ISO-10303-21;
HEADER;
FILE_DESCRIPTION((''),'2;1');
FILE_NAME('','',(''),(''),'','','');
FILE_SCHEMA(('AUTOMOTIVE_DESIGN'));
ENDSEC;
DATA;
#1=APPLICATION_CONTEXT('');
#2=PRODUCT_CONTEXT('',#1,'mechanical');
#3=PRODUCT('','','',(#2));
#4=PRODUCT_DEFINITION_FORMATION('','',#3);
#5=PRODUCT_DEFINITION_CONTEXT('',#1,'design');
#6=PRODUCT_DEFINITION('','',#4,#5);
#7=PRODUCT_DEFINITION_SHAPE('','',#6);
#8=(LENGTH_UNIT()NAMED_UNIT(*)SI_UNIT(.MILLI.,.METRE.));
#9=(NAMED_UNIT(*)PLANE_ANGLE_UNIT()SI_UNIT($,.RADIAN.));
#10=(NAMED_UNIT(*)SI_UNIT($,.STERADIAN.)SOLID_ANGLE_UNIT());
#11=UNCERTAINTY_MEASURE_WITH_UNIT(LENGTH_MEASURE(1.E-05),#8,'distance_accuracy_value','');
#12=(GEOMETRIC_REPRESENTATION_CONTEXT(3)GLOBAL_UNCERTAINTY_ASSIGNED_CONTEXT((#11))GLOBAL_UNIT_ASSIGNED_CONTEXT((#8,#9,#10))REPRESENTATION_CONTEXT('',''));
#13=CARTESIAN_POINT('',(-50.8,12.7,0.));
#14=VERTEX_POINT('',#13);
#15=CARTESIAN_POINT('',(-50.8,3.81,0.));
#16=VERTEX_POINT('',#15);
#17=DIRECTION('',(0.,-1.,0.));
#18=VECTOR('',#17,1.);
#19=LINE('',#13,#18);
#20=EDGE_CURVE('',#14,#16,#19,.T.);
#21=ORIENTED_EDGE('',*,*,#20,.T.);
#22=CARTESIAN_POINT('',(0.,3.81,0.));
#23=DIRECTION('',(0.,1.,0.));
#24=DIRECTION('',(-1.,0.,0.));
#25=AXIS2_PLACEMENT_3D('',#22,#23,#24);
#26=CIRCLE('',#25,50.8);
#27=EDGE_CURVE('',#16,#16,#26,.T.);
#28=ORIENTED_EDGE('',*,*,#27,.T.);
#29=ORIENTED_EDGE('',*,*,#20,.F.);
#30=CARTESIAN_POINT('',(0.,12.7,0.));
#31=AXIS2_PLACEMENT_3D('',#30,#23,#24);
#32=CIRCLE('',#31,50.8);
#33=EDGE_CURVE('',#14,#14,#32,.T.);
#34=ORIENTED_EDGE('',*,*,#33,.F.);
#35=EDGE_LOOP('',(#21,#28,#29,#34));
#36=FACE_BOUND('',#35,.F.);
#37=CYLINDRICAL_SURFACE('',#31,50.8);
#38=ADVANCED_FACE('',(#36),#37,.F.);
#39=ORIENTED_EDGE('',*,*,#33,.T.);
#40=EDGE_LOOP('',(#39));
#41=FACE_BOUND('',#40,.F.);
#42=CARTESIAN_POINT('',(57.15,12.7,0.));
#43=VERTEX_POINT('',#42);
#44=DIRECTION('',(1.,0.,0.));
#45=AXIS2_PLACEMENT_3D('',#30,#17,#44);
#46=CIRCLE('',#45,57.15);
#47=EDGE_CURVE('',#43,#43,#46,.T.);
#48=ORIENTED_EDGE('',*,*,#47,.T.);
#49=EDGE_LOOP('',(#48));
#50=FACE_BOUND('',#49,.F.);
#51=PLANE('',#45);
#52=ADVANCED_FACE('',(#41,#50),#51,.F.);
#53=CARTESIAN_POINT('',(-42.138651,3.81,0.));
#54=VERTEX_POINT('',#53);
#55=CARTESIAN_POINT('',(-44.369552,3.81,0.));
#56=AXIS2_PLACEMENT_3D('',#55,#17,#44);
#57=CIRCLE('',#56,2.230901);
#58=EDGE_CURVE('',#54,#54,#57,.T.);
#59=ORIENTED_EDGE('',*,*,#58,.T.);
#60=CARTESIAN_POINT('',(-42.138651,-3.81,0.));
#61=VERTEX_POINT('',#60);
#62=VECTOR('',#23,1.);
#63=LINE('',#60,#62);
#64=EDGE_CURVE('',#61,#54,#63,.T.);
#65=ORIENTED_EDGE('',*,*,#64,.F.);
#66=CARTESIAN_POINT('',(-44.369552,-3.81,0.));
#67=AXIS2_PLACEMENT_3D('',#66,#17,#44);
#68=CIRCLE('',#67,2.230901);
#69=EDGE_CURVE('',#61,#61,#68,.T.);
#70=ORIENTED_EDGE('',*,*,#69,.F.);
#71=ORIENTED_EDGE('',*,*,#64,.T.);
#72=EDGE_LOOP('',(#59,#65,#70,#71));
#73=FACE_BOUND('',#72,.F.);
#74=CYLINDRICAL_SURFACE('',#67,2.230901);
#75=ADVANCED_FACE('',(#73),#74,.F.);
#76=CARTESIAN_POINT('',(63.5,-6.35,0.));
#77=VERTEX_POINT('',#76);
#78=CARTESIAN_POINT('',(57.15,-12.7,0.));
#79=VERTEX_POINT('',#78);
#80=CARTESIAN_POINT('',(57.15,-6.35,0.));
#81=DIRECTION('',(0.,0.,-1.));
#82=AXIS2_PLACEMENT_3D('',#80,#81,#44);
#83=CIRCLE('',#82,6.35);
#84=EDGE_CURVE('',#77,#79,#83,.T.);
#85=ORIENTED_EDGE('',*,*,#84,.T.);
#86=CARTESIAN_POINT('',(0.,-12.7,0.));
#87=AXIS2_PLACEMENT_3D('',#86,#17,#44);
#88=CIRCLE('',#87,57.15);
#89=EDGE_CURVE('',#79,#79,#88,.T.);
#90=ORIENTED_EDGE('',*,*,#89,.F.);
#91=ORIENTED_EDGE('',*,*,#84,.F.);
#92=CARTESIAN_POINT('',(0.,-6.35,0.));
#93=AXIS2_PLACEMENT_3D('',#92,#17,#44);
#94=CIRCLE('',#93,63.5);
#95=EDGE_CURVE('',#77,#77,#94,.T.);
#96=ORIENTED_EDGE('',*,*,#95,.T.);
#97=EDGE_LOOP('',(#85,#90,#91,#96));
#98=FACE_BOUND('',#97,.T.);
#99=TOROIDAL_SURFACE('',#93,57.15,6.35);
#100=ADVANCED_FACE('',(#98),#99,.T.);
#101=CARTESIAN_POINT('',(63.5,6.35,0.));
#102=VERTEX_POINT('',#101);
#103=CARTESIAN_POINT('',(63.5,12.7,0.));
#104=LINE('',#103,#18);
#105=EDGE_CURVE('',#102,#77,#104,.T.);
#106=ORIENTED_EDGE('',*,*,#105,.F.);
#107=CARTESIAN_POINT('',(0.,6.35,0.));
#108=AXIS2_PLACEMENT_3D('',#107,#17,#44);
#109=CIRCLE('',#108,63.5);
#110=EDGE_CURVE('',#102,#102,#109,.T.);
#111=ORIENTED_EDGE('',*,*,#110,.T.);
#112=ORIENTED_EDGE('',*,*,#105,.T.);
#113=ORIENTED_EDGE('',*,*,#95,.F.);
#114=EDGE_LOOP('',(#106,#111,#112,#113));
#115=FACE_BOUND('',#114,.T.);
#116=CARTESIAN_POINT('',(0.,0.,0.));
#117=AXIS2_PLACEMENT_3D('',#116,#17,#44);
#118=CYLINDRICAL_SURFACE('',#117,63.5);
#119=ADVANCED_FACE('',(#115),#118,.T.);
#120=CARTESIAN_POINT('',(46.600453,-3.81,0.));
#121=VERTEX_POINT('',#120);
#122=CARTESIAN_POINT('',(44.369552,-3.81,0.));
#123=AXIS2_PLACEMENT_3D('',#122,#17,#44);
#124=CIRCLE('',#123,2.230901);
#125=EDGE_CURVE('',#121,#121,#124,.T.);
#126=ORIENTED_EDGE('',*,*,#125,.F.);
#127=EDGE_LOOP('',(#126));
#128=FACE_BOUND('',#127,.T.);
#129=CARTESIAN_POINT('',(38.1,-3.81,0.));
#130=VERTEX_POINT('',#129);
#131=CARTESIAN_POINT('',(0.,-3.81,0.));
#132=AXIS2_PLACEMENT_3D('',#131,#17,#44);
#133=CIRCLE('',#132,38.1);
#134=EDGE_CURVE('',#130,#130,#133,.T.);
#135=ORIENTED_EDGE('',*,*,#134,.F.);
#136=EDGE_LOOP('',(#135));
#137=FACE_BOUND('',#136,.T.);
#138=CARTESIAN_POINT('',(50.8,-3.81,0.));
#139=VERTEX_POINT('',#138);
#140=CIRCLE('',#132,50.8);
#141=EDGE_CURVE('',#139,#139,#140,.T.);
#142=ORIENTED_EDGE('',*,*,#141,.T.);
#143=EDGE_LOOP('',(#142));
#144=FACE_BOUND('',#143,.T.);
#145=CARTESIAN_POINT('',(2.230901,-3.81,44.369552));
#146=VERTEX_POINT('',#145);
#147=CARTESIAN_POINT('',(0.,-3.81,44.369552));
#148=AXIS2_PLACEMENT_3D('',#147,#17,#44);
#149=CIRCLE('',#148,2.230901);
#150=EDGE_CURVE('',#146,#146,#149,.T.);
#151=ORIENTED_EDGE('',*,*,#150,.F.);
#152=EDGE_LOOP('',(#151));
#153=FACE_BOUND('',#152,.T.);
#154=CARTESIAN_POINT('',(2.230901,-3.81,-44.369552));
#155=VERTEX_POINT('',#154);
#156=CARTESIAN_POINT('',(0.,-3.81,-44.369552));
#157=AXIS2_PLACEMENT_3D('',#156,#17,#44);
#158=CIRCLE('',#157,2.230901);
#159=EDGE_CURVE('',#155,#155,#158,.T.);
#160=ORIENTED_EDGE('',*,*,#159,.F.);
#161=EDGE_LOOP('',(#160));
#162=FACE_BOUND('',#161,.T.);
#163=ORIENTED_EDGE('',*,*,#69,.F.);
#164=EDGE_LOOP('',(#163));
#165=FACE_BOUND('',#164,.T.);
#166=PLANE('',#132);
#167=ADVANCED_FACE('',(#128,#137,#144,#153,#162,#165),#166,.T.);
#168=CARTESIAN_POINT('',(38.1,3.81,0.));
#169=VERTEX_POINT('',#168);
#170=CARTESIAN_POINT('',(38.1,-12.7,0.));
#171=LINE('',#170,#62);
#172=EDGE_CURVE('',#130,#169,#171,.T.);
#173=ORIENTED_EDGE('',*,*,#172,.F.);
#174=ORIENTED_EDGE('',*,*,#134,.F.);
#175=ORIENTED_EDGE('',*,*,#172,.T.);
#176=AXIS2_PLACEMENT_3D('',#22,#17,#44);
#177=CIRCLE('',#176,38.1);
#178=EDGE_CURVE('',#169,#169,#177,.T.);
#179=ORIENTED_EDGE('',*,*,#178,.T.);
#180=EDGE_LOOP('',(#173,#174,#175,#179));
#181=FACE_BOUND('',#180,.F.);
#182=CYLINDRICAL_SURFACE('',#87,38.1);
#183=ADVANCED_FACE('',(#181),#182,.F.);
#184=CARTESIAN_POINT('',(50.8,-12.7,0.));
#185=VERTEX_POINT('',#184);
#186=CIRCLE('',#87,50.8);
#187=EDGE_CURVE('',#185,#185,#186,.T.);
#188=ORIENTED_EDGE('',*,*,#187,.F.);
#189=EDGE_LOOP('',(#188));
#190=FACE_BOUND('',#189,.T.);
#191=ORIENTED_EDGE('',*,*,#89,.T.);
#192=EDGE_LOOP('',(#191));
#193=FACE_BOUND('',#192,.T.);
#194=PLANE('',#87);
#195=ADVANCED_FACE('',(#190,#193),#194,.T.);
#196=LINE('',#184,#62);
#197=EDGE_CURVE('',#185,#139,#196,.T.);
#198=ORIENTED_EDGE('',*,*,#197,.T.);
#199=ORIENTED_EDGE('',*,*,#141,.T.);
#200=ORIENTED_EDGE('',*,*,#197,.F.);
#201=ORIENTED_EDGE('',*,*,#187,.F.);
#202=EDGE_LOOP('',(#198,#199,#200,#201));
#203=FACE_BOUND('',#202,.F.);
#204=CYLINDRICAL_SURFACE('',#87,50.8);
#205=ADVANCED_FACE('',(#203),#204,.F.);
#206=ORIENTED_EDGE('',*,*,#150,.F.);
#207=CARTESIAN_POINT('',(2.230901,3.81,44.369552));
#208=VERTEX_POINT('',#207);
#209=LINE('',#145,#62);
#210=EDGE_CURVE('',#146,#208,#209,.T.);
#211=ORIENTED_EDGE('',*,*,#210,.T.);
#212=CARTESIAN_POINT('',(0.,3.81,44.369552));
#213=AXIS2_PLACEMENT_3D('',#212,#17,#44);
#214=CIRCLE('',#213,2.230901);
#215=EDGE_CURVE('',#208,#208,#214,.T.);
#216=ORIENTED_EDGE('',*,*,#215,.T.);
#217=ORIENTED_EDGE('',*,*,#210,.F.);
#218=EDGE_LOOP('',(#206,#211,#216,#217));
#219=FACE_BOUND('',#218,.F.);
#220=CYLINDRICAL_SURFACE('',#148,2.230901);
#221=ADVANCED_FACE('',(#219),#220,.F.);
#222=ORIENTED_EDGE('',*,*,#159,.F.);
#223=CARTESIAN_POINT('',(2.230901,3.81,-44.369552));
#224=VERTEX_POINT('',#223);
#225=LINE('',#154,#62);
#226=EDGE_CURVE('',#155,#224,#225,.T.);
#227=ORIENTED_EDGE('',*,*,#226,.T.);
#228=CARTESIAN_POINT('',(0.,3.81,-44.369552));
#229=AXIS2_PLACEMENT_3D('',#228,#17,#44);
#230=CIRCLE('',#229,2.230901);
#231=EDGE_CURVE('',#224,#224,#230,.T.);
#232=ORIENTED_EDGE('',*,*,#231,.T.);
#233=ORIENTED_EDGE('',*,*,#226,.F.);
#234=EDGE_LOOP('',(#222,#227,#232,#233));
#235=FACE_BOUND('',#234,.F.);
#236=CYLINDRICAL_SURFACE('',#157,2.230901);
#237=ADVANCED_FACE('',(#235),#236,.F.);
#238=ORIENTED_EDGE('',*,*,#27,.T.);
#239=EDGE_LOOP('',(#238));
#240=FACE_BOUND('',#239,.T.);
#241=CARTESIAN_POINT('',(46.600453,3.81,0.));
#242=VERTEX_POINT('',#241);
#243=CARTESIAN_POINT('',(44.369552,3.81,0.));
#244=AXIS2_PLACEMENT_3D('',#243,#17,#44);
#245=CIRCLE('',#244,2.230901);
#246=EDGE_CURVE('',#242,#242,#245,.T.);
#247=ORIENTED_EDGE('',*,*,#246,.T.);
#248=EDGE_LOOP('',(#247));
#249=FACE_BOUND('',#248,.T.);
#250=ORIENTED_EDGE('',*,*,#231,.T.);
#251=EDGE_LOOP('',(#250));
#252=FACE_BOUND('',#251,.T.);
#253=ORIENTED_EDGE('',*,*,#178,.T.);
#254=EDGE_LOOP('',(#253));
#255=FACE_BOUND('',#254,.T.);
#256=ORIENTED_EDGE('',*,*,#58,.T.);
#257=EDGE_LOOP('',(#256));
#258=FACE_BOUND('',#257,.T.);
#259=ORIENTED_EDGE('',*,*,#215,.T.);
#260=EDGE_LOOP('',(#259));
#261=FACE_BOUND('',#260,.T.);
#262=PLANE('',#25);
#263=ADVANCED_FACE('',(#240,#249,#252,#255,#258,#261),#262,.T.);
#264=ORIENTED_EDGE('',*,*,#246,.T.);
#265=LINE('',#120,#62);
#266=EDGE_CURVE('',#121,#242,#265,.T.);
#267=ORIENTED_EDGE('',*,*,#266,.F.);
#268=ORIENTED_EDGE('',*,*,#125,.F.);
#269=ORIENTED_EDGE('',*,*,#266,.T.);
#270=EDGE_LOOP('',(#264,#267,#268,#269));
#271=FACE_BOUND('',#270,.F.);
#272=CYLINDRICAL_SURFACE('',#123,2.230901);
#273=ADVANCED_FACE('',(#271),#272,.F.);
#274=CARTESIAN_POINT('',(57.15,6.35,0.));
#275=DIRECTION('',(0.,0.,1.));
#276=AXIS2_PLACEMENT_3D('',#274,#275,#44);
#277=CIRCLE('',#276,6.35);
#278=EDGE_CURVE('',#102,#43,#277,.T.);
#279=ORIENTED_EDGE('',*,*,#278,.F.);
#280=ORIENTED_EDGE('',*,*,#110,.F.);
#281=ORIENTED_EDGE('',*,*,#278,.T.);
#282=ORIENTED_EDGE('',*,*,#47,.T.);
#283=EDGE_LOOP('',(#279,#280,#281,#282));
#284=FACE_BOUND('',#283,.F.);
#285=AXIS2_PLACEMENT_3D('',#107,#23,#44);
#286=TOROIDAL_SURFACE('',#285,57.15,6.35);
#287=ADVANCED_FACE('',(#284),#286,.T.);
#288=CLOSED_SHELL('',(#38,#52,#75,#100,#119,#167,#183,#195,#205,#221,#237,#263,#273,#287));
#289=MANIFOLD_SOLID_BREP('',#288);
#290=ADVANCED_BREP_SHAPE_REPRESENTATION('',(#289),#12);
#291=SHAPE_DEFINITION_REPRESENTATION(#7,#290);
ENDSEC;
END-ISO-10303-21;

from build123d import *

# Parameters (mm, degrees)
F0_R      = 63.5
F1_DEPTH  = 12.7
F2_R      = 6.35
F3_R      = 50.8
F4_DEPTH  = 8.89
F5_R      = 50.8
F6_DEPTH  = 8.89
F7_R      = 38.1
F8_DEPTH  = 25.401
F9_R      = 2.230901
F10_DEPTH = 16.511


with BuildPart() as f1:
    # F0 (on Front) → F1 (new body, symmetric)
    with BuildSketch(Plane.XZ):
        Circle(F0_R)
    extrude(amount=F1_DEPTH, both=True)

    # F2
    f2_edges = [f1.edges().sort_by_distance(p)[0] for p in [
        (-63.5, -12.7, 0),
        (-63.5, 12.7, 0),
    ]]
    fillet(f2_edges, radius=F2_R)

    # F3 (on face) → F4 (cut)
    with BuildSketch(Plane.XZ.offset(12.7)):
        Circle(F3_R)
    extrude(amount=-F4_DEPTH, mode=Mode.SUBTRACT)

    # F5 (on face) → F6 (cut)
    with BuildSketch(Plane(origin=(0, 12.7, 0), x_dir=(-1, 0, 0), z_dir=(0, 1, 0))):
        Circle(F5_R)
    extrude(amount=-F6_DEPTH, mode=Mode.SUBTRACT)

    # F7 (on face) → F8 (cut, through all)
    with BuildSketch(Plane.XZ.offset(12.7)):
        Circle(F7_R)
    extrude(amount=-F8_DEPTH, mode=Mode.SUBTRACT)

    # F9 (on face) → F10 (cut, through all)
    with BuildSketch(Plane.XZ.offset(3.81)):
        with Locations((-44.369552, 0)):
            Circle(F9_R)
        with Locations((0, 44.369552)):
            Circle(F9_R)
        with Locations((44.369552, 0)):
            Circle(F9_R)
        with Locations((0, -44.369552)):
            Circle(F9_R)
    extrude(amount=-F10_DEPTH, mode=Mode.SUBTRACT)


solid = f1.part
